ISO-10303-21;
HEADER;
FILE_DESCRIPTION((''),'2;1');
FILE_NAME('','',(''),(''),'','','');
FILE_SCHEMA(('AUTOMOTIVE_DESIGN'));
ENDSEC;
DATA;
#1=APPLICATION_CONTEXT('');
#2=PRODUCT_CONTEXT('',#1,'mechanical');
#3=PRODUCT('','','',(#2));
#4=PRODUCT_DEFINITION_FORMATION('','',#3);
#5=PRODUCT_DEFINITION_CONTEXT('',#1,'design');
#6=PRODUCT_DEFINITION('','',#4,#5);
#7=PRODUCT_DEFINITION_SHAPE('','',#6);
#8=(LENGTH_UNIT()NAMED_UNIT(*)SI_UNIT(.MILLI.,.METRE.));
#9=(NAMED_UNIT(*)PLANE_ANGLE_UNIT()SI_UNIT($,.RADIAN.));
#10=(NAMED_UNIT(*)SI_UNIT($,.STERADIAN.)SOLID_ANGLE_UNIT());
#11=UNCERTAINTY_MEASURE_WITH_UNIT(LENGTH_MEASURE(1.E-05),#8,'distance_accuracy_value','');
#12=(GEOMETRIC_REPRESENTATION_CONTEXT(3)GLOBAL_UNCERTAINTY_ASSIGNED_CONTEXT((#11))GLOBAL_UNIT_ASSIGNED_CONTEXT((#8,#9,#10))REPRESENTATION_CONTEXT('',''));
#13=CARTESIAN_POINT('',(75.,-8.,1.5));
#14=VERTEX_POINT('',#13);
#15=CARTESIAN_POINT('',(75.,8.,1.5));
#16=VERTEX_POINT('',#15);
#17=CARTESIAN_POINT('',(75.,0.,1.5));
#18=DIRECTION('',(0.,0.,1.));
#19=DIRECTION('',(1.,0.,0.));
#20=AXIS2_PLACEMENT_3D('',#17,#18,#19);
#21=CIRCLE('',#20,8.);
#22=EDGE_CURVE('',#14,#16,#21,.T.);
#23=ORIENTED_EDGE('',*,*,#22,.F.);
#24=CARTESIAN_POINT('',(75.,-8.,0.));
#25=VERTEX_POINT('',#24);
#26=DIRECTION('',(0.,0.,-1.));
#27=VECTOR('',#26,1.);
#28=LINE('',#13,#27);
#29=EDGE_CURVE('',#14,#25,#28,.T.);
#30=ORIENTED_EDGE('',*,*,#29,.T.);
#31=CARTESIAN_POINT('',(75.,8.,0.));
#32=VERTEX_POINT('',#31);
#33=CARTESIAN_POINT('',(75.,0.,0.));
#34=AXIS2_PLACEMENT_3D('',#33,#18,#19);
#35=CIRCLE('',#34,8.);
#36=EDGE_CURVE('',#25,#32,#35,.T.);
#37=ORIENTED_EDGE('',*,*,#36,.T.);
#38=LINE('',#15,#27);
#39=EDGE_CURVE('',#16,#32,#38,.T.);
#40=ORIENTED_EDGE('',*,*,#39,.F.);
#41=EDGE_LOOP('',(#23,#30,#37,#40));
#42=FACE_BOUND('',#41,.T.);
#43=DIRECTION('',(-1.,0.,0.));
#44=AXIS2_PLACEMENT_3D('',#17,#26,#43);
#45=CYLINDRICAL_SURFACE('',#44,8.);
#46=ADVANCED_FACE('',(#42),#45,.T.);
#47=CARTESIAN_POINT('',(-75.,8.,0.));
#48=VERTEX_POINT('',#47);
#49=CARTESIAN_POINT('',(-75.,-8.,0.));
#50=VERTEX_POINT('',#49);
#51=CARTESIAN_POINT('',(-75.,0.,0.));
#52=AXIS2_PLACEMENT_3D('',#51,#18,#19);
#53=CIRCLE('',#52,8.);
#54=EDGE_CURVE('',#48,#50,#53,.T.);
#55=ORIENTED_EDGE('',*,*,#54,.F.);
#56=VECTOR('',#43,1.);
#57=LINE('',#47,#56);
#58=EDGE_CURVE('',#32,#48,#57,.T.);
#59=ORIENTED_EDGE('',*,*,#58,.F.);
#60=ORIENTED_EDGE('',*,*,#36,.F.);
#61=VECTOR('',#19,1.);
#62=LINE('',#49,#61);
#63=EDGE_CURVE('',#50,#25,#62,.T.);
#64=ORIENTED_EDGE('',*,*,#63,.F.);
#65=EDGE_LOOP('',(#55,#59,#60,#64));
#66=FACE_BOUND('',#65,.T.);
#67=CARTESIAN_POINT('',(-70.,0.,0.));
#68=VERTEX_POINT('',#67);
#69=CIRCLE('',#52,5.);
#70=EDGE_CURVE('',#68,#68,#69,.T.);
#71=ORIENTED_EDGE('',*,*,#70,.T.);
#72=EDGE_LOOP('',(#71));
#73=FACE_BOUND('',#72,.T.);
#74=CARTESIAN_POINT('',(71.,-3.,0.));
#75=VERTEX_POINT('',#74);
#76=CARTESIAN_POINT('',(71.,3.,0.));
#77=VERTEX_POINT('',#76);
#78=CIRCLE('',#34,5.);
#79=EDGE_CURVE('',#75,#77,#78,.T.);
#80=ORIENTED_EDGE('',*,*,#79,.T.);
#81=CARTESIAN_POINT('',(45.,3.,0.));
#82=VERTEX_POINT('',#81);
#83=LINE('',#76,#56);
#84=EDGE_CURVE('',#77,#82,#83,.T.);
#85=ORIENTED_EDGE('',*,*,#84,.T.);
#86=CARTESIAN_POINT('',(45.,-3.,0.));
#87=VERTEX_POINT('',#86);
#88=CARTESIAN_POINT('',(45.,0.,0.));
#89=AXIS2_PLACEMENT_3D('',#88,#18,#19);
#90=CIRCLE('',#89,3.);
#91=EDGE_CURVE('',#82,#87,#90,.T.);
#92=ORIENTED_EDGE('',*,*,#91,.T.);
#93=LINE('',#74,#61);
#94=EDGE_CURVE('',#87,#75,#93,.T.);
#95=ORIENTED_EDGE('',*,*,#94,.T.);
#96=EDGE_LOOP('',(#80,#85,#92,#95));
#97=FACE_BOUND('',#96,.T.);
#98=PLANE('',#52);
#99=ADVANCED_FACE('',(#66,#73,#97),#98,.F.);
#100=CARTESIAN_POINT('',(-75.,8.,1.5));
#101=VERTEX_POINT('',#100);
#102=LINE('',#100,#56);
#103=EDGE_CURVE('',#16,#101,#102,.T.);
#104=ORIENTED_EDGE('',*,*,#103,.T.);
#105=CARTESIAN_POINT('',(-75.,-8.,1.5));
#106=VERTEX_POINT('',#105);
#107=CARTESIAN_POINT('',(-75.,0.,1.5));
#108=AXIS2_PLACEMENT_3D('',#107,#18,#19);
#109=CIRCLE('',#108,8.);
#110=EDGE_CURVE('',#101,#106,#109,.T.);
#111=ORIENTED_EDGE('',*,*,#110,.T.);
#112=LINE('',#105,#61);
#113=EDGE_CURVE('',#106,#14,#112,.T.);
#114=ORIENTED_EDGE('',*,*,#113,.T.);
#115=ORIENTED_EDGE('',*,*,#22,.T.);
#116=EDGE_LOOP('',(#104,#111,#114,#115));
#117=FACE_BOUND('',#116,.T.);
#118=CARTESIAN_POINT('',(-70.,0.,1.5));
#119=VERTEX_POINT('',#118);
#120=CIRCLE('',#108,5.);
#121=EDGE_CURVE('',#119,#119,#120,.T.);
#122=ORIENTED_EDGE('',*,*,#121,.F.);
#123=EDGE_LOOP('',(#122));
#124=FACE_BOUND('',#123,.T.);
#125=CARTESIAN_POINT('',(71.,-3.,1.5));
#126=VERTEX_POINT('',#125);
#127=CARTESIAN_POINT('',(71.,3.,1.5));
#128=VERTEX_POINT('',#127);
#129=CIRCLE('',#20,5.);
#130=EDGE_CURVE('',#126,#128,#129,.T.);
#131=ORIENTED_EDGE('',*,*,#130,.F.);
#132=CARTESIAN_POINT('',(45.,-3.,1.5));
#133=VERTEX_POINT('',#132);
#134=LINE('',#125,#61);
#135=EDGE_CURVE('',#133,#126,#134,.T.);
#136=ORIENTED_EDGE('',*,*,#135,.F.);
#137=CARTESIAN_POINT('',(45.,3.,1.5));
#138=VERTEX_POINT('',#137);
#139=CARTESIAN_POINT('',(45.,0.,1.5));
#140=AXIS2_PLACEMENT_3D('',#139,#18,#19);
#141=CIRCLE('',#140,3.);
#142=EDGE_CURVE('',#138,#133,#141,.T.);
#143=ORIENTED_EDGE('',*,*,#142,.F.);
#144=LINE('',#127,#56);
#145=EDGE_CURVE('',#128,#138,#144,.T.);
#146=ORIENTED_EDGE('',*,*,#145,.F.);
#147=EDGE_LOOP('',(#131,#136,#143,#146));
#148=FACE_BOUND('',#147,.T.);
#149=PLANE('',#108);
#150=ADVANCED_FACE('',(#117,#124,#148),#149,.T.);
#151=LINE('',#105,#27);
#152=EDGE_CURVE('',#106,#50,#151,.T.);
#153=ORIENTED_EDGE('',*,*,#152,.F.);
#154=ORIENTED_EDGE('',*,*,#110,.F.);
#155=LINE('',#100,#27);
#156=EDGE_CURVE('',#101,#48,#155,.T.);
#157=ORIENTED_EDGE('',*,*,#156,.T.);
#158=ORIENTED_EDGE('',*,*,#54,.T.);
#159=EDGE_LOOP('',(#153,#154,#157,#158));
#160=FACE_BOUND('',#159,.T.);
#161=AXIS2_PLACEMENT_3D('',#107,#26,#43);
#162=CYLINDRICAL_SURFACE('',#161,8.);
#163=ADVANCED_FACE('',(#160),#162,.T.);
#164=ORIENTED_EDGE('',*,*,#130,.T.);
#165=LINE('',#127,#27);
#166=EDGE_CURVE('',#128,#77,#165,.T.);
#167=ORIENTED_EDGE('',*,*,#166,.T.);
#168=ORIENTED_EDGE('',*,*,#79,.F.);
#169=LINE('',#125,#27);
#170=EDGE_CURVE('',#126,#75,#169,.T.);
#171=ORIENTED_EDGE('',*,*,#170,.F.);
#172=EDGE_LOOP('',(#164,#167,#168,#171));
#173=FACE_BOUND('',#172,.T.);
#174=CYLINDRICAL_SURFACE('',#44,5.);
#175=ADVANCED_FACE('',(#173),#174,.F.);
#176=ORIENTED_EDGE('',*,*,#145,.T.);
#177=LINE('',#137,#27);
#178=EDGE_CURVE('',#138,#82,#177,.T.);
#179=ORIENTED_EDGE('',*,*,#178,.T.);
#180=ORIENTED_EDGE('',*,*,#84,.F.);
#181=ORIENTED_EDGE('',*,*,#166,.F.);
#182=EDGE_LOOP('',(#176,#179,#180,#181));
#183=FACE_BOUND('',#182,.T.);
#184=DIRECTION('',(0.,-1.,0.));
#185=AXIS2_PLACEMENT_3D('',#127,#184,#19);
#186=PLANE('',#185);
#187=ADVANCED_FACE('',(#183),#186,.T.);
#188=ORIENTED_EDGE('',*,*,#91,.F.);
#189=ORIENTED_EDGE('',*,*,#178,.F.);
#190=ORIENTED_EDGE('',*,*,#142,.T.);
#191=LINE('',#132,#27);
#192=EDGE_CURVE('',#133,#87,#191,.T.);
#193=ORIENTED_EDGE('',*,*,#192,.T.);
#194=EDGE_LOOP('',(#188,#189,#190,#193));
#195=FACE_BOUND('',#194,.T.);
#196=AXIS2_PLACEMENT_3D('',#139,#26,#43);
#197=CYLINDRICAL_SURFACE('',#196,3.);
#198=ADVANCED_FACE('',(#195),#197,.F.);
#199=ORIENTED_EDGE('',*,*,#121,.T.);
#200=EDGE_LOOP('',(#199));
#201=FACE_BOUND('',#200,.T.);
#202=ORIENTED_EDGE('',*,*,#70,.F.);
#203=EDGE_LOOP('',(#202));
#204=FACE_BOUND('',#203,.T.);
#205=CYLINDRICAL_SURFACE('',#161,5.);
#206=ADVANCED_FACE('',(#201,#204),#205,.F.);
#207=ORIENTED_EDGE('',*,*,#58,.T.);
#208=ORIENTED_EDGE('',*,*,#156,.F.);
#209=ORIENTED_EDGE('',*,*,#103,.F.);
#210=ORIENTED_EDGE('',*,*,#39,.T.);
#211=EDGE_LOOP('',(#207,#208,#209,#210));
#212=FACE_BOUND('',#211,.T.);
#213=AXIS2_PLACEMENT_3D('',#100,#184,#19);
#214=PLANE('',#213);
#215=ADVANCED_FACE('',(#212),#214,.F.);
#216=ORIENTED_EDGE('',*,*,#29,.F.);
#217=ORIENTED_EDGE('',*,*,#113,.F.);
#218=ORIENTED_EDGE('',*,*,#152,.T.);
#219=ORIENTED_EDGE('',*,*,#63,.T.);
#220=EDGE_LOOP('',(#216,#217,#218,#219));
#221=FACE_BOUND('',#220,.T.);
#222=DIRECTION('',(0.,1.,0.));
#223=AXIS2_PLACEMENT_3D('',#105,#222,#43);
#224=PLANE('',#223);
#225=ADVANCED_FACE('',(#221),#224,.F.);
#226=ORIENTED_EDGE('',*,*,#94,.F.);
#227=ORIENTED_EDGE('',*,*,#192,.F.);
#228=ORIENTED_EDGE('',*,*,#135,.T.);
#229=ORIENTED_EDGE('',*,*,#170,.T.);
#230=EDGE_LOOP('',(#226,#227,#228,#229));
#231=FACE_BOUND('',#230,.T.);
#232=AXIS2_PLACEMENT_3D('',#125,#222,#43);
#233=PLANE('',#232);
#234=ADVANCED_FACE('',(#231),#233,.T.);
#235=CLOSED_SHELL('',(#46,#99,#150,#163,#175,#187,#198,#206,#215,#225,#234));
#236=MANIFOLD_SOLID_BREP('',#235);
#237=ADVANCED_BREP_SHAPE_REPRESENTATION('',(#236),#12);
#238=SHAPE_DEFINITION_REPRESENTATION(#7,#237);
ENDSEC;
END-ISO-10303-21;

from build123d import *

# Parameters (mm, degrees)
SKETCH1_R           = 5
BOSS_EXTRUDE1_DEPTH = 1.5


with BuildPart() as part:
    # Sketch1 → Boss-Extrude1 (new body)
    with BuildSketch(Plane.XY):
        with BuildLine():
            Line((-75, 8), (75, 8))
            ThreePointArc((75, 8), (83, 0), (75, -8))
            Line((75, -8), (-75, -8))
            ThreePointArc((-75, -8), (-83, 0), (-75, 8))
        make_face()
        with Locations((-75, 0)):
            Circle(SKETCH1_R, mode=Mode.SUBTRACT)
        with BuildLine():
            Line((71, -3), (45, -3))
            ThreePointArc((45, -3), (42, 0), (45, 3))
            Line((45, 3), (71, 3))
            ThreePointArc((71, 3), (80, 0), (71, -3))
        make_face(mode=Mode.SUBTRACT)
    extrude(amount=BOSS_EXTRUDE1_DEPTH)


solid = part.part
